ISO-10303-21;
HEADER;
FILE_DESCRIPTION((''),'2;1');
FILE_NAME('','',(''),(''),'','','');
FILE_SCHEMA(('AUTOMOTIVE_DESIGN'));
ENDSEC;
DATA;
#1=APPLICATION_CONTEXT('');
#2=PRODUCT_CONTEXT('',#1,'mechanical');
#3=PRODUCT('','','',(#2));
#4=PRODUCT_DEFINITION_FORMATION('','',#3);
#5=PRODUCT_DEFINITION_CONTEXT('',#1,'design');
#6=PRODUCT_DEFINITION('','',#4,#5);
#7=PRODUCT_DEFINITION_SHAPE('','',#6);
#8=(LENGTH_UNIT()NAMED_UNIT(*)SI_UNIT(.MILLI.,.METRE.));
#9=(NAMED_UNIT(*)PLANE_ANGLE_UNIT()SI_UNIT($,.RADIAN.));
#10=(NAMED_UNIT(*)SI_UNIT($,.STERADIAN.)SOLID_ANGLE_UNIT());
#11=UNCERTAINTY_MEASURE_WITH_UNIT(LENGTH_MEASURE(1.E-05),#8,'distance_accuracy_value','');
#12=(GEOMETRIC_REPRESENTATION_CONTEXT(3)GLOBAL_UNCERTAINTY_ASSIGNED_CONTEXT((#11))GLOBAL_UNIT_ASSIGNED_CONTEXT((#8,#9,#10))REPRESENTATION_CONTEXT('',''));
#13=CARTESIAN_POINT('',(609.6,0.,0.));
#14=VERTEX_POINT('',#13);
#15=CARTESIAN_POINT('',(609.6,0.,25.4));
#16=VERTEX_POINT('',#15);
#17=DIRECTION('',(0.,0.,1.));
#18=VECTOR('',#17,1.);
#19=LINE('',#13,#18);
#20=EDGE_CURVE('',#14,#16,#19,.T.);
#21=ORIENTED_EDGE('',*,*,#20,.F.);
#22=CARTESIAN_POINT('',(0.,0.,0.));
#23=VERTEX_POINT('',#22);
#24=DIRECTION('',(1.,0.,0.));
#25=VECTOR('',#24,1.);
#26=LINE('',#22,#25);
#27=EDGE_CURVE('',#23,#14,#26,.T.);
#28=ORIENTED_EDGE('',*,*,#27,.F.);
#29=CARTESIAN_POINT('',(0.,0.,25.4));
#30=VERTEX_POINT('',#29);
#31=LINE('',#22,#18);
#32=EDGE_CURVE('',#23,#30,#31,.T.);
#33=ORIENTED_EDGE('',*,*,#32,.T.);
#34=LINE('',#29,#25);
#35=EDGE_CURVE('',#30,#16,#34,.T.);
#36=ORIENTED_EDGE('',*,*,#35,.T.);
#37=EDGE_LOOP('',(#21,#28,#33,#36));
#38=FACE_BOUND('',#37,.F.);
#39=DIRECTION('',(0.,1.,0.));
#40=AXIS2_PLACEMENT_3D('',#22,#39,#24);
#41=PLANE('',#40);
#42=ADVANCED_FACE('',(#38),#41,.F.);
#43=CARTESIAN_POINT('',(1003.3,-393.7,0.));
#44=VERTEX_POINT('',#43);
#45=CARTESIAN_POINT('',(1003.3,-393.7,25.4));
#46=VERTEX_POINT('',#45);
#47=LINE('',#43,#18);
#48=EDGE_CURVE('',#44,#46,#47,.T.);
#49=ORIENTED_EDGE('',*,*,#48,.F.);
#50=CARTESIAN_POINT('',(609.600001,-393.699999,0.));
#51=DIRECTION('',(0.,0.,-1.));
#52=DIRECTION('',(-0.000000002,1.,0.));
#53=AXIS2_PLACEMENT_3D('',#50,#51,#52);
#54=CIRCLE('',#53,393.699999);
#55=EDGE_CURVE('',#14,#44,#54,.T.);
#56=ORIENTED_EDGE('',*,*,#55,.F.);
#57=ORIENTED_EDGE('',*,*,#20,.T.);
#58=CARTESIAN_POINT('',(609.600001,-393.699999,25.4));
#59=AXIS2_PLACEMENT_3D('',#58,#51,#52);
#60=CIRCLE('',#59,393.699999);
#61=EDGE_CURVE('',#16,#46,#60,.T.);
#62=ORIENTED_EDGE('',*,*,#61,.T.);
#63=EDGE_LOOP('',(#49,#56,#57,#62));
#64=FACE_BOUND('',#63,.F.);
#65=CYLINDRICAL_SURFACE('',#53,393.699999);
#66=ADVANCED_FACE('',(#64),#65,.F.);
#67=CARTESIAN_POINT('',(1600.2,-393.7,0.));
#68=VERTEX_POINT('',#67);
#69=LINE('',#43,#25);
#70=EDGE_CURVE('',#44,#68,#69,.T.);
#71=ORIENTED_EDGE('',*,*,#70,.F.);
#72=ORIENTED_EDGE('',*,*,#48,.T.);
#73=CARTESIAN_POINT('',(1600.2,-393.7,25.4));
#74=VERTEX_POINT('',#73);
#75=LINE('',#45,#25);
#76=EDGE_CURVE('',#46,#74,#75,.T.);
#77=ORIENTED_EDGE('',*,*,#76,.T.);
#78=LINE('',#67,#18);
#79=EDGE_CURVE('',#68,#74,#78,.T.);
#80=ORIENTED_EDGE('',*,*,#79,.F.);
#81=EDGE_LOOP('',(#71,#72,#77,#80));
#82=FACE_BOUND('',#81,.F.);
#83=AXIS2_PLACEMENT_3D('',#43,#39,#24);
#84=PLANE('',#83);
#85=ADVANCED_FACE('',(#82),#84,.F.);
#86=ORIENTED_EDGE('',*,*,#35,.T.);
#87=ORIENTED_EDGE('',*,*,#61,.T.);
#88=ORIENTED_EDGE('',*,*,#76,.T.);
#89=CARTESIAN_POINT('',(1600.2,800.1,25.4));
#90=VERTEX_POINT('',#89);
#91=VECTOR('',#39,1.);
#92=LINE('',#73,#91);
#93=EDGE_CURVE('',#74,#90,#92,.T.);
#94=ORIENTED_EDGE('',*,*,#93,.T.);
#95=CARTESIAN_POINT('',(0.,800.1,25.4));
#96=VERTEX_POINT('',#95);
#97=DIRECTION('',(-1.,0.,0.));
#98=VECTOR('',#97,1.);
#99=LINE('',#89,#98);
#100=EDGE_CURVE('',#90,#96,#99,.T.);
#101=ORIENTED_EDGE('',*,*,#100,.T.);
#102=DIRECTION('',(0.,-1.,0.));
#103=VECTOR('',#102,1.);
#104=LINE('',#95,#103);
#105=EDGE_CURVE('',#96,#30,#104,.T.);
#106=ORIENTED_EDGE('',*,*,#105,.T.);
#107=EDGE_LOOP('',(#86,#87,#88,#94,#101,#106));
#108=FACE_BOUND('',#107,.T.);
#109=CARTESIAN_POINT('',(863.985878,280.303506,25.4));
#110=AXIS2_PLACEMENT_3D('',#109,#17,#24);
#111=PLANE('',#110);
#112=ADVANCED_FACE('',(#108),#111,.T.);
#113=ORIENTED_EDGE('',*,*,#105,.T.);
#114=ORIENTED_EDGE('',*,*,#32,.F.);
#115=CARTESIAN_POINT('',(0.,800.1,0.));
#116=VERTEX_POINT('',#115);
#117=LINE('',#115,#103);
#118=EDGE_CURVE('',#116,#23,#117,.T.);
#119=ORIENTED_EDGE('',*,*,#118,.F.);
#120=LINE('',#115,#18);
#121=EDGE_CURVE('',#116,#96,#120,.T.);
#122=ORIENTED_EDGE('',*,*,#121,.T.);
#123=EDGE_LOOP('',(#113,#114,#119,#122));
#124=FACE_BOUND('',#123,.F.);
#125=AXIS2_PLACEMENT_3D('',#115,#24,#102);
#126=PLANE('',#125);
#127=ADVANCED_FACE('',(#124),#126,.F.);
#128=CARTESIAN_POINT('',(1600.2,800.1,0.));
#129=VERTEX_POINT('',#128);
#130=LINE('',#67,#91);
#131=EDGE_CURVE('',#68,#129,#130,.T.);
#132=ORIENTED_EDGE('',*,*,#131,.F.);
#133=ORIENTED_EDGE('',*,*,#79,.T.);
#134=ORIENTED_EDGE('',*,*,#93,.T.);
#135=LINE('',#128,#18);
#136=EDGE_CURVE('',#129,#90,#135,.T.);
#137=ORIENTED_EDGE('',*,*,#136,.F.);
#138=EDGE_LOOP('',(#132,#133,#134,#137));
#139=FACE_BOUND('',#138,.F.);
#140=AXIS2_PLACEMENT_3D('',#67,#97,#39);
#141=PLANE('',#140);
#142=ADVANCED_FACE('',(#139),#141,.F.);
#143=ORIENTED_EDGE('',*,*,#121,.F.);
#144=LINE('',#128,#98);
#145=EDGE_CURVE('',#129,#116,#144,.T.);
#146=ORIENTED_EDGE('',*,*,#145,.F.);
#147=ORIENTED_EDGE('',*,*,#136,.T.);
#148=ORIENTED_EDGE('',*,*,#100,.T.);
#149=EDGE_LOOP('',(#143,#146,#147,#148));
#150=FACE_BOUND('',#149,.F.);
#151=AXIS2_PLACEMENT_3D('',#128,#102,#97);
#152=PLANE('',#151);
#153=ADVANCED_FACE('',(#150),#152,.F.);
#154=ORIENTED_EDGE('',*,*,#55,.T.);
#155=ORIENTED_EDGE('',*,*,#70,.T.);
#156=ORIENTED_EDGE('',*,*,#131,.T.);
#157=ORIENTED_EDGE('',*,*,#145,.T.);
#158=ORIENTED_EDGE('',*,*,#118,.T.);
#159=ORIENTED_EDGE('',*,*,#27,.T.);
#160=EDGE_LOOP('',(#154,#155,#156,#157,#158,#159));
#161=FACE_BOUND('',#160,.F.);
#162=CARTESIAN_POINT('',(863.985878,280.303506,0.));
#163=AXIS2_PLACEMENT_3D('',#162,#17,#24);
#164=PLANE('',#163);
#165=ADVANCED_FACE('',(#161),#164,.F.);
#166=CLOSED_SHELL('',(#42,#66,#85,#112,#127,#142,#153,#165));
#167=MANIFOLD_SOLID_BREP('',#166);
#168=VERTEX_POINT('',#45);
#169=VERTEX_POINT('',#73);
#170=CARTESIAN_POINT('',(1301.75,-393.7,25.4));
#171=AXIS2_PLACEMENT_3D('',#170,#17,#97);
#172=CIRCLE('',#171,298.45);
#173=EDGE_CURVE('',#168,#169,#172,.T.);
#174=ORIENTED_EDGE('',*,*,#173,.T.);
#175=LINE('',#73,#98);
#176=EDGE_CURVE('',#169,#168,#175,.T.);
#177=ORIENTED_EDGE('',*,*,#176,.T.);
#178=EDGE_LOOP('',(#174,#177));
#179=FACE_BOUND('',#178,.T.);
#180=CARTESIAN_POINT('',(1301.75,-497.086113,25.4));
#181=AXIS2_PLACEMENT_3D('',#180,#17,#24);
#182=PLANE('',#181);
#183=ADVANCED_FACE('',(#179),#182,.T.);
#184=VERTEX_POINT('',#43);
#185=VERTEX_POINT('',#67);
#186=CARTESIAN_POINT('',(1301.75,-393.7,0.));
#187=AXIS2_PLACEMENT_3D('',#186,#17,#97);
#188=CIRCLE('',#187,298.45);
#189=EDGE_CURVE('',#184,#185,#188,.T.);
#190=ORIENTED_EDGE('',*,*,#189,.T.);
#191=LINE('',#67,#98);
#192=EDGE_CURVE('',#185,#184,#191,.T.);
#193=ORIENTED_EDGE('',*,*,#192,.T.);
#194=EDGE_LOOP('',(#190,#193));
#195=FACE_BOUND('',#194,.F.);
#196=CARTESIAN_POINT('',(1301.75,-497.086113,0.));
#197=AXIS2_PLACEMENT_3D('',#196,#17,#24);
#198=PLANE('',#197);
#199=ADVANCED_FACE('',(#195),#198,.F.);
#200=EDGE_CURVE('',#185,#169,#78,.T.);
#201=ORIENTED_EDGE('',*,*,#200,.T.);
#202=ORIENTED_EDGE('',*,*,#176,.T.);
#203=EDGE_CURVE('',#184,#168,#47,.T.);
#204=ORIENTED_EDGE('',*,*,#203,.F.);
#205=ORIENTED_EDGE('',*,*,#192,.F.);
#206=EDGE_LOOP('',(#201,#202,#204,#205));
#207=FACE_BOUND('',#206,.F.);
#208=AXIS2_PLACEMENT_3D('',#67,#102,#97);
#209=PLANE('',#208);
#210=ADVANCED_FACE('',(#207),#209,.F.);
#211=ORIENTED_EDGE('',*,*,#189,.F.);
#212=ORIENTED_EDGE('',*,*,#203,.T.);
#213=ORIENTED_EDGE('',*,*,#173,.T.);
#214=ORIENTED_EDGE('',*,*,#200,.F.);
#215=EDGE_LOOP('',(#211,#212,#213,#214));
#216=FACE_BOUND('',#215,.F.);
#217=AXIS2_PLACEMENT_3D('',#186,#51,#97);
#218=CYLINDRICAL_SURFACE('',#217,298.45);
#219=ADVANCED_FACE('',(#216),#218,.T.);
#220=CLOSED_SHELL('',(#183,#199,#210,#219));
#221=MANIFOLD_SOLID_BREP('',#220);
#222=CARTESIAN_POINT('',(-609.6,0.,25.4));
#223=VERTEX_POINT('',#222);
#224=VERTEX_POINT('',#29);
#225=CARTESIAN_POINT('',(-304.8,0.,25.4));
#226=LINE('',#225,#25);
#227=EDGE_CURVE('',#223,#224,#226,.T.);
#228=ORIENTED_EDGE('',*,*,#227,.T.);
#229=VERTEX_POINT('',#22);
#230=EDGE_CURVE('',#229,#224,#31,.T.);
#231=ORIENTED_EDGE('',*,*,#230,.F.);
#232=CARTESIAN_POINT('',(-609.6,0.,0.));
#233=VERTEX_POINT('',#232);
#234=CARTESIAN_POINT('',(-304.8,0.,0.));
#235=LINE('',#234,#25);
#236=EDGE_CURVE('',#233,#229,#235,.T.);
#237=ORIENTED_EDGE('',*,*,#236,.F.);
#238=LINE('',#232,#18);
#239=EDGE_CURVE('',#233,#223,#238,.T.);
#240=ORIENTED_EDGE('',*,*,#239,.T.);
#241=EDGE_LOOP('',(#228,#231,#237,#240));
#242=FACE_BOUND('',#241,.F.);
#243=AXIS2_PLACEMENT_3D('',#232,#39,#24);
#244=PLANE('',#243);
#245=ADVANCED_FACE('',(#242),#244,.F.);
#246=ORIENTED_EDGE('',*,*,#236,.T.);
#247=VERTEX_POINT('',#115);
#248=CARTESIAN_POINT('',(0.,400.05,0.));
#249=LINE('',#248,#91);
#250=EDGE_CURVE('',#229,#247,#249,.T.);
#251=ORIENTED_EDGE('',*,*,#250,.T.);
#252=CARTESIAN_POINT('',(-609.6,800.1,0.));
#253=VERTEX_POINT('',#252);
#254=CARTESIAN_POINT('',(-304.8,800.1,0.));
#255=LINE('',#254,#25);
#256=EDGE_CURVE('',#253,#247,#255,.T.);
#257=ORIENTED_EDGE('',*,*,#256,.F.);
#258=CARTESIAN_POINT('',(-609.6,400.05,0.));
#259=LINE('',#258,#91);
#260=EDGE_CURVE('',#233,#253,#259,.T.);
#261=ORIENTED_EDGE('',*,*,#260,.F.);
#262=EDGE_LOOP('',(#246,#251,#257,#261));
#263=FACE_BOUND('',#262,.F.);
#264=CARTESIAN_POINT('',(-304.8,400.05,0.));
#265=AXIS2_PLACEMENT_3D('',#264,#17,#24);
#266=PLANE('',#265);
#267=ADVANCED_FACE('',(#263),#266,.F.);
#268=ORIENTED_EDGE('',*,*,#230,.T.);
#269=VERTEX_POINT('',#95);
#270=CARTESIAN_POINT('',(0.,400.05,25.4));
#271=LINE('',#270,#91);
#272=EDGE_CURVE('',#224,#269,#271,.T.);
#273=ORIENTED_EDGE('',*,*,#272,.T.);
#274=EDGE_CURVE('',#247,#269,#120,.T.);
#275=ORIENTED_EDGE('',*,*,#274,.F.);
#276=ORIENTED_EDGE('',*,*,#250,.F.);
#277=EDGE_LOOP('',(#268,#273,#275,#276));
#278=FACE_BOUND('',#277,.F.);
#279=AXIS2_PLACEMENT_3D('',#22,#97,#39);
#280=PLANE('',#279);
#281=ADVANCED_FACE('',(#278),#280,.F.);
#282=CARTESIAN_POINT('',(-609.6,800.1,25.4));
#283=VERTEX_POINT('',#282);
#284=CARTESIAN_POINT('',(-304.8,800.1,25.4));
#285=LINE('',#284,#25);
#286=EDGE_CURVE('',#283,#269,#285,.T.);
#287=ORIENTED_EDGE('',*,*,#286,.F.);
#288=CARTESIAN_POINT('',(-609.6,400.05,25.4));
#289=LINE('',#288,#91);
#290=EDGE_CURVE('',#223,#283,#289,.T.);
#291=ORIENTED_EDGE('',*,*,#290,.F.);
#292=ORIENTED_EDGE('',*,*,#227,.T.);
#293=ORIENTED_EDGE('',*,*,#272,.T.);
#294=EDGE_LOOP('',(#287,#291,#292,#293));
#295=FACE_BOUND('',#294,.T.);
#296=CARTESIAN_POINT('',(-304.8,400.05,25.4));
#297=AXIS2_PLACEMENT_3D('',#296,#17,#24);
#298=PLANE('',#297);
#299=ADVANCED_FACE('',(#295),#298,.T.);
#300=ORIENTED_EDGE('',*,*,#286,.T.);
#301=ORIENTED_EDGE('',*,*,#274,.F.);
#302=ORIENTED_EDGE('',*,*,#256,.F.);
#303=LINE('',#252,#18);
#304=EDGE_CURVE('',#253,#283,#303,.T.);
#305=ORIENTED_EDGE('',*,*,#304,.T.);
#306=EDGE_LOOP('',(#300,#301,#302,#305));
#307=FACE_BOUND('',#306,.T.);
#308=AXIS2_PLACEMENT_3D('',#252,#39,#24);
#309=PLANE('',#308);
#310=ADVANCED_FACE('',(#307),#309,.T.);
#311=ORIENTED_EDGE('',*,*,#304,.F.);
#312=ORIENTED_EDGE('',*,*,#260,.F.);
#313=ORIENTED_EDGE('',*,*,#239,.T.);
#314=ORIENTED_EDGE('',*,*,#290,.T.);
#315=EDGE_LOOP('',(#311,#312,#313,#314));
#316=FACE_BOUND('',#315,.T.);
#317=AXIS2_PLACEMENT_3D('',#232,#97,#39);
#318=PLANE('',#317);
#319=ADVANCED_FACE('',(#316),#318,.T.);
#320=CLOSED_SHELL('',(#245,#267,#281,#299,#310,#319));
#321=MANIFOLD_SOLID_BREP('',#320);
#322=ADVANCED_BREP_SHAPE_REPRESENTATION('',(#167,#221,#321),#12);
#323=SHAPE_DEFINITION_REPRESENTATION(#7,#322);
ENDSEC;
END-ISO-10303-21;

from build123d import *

# Parameters (mm, degrees)
F0_W     = 609.6
F0_H     = 800.1
F1_DEPTH = 25.4
F3_DEPTH = 25.4
F5_DEPTH = 25.4


with BuildPart() as f1:
    # F0 (on Top) → F1 (new body)
    with BuildSketch(Plane.XY):
        with Locations((-304.8, 400.05)):
            Rectangle(F0_W, F0_H)
    extrude(amount=F1_DEPTH)


with BuildPart() as f3:
    # F2 (on Top) → F3 (new body)
    with BuildSketch(Plane.XY):
        with BuildLine():
            Line((1600.2, 800.1), (0, 800.1))
            Line((0, 800.1), (0, 0))
            Line((0, 0), (609.6, 0))
            ThreePointArc((609.6, 0), (887.98794, -115.31206), (1003.3, -393.7))
            Line((1003.3, -393.7), (1600.2, -393.7))
            Line((1600.2, -393.7), (1600.2, 800.1))
        make_face()
    extrude(amount=F3_DEPTH)


with BuildPart() as f5:
    # F4 (on Top) → F5 (new body)
    with BuildSketch(Plane.XY):
        with BuildLine():
            ThreePointArc((1003.3, -393.7), (1301.75, -692.15), (1600.2, -393.7))
            Line((1600.2, -393.7), (1003.3, -393.7))
        make_face()
    extrude(amount=F5_DEPTH)


solid = Compound([f1.part, f3.part, f5.part])
